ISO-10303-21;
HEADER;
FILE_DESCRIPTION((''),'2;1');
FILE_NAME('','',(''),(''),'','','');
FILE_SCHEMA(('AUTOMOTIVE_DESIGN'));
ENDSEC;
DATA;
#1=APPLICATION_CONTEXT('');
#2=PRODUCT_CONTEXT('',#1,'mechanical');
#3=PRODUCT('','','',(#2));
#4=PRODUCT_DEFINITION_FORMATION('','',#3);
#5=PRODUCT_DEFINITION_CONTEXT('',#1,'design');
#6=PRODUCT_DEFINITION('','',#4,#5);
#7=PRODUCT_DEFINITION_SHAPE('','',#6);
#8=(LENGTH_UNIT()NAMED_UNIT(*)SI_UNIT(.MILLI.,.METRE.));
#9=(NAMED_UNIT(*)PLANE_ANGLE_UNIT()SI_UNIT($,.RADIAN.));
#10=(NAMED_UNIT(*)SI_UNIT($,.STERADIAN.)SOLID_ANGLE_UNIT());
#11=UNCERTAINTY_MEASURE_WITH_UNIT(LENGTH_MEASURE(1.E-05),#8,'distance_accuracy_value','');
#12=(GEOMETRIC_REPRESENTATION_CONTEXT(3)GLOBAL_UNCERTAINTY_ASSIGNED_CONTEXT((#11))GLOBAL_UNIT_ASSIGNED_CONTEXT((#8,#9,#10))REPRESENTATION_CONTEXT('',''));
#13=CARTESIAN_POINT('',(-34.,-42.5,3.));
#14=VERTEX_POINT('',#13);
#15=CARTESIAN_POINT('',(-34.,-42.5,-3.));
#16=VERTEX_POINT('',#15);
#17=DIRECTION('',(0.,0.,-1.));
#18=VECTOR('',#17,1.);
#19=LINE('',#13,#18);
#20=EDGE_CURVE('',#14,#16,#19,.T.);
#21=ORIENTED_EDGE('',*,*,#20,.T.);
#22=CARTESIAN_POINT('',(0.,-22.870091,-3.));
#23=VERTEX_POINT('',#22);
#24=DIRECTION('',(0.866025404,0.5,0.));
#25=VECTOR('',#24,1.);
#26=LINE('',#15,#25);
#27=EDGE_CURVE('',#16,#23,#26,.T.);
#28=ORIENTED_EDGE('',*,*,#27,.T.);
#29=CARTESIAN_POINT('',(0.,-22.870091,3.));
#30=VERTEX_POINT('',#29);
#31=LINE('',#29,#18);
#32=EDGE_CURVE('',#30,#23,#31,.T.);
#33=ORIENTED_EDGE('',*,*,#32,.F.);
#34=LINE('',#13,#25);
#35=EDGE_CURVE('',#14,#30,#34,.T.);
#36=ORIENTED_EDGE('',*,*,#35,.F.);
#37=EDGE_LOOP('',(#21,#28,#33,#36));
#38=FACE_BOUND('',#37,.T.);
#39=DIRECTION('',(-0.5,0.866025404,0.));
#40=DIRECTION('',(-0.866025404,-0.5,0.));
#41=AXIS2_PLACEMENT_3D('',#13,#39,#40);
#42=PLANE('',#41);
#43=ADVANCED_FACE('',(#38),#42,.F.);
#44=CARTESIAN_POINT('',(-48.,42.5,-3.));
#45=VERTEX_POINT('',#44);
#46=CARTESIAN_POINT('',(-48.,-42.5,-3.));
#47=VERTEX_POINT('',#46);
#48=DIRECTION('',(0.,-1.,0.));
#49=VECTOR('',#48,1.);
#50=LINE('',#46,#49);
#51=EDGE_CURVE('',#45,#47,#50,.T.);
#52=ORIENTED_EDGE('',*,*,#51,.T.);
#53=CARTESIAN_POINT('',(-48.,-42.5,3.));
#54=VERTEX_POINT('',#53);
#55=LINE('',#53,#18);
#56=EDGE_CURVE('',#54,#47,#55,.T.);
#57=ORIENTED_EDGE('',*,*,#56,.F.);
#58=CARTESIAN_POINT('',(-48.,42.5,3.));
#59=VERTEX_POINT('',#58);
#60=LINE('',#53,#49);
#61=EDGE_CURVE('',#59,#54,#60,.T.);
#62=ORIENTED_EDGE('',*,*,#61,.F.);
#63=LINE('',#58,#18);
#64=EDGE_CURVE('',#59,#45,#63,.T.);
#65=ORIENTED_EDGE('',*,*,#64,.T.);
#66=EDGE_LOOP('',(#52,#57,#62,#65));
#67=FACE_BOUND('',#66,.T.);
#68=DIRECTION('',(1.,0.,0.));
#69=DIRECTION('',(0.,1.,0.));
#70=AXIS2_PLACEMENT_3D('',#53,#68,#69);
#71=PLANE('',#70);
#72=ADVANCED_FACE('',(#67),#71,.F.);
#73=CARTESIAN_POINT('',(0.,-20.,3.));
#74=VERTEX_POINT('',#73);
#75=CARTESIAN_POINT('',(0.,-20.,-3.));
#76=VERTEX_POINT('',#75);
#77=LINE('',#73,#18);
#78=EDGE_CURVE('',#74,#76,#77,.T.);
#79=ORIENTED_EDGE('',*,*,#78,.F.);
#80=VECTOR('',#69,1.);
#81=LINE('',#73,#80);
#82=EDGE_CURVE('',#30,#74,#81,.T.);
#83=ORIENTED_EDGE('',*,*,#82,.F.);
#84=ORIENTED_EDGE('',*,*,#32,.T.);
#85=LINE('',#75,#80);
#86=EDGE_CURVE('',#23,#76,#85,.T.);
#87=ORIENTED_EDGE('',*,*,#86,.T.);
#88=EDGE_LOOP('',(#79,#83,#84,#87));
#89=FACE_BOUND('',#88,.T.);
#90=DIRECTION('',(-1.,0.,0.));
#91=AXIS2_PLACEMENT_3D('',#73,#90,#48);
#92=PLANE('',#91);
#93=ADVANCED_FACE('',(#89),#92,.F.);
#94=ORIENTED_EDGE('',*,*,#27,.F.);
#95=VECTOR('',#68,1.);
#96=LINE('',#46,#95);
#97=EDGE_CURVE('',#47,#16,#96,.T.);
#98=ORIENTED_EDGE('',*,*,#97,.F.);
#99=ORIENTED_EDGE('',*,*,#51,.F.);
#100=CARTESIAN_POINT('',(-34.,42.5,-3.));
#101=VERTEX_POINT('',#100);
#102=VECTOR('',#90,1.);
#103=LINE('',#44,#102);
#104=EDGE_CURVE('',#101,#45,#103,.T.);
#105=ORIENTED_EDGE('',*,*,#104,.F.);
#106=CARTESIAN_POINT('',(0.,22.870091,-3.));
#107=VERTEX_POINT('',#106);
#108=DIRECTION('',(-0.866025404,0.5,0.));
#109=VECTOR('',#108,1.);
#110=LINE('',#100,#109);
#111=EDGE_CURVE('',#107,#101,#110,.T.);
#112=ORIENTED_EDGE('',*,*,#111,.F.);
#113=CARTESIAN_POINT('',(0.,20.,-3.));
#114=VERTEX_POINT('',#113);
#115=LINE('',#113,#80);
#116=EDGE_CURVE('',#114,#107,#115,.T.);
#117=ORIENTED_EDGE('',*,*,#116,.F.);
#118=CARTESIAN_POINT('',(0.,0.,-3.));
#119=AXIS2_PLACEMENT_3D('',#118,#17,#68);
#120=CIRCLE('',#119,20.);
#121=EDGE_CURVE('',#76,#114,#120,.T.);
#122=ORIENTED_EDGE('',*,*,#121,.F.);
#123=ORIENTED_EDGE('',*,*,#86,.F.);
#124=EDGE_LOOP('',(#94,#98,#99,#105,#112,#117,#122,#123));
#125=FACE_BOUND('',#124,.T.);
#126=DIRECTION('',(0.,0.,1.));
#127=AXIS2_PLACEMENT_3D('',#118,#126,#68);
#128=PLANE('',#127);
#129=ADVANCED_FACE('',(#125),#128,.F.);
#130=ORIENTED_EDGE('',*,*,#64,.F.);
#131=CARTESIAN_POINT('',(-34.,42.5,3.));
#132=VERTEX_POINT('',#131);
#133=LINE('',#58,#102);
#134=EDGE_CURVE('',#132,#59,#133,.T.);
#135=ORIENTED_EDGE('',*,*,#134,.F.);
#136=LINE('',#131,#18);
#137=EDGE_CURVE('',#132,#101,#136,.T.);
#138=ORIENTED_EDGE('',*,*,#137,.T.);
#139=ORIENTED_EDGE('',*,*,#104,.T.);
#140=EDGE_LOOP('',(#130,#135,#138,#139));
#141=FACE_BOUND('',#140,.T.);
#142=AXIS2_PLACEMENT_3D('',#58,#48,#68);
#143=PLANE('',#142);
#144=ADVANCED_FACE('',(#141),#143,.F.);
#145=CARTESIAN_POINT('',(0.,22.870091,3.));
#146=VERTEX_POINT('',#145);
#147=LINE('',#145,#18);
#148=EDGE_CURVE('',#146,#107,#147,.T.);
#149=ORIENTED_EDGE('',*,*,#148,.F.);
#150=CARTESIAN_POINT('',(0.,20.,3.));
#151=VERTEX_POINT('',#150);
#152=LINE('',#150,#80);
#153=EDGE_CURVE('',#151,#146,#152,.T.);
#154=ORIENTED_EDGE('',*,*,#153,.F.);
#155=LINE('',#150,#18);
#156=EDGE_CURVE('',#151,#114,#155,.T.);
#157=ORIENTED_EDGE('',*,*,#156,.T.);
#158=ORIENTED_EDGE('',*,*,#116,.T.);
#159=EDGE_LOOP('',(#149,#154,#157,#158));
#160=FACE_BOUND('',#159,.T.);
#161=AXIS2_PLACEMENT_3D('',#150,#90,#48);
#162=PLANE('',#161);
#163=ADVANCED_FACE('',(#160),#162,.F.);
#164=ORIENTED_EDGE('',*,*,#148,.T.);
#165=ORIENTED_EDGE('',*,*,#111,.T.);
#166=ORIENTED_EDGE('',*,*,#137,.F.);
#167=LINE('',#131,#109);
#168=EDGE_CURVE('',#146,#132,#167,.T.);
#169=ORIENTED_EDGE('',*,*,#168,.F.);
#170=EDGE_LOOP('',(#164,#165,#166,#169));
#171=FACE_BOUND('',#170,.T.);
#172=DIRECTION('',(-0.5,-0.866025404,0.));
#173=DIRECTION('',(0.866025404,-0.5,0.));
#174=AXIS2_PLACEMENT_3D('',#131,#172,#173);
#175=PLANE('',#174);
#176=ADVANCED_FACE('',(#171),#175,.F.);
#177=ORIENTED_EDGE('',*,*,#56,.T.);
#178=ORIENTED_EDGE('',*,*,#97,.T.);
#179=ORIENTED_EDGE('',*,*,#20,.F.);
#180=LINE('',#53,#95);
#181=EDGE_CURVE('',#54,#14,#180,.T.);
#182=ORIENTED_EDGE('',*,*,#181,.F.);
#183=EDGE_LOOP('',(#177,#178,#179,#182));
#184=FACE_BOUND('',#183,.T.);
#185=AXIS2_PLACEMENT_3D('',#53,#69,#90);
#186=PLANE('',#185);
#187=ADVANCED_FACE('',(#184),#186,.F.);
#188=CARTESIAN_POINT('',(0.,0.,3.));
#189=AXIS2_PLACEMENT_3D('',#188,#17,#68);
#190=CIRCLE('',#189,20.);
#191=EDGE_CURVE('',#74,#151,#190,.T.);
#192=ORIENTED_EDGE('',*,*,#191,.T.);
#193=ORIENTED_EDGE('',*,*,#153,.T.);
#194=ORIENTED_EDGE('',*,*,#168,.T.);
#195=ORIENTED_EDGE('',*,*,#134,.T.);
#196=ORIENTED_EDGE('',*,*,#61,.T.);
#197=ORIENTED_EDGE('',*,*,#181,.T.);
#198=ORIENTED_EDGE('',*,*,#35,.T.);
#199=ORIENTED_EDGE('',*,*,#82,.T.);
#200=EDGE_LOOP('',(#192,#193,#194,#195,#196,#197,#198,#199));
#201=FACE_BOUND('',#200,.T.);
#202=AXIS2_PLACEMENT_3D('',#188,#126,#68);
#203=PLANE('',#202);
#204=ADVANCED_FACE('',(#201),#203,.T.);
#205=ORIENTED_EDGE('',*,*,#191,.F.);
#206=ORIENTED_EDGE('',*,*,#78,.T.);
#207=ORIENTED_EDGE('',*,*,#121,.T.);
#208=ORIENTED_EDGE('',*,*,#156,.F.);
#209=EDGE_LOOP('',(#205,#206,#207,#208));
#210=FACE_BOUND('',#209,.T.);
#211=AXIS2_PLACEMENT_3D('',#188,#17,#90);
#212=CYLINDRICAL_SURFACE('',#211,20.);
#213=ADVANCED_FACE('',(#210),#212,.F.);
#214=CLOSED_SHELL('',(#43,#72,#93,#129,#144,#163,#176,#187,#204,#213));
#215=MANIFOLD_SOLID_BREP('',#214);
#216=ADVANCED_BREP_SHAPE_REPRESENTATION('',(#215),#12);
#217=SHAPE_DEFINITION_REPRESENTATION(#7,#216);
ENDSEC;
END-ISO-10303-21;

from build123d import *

# Parameters (mm, degrees)
BOSS_EXTRUDE1_DEPTH = 3


with BuildPart() as part:
    # Sketch1 → Boss-Extrude1 (new, symmetric)
    with BuildSketch(Plane.XY):
        with BuildLine():
            Line((-48, -42.5), (-48, 42.5))
            Line((-48, 42.5), (-34, 42.5))
            Line((-34, 42.5), (0, 22.870090848))
            Line((0, 22.870090848), (0, 20))
            ThreePointArc((0, 20), (-20, 0), (0, -20))
            Line((0, -20), (0, -22.870090848))
            Line((0, -22.870090848), (-34, -42.5))
            Line((-34, -42.5), (-48, -42.5))
        make_face()
    extrude(amount=BOSS_EXTRUDE1_DEPTH, both=True)


solid = part.part
